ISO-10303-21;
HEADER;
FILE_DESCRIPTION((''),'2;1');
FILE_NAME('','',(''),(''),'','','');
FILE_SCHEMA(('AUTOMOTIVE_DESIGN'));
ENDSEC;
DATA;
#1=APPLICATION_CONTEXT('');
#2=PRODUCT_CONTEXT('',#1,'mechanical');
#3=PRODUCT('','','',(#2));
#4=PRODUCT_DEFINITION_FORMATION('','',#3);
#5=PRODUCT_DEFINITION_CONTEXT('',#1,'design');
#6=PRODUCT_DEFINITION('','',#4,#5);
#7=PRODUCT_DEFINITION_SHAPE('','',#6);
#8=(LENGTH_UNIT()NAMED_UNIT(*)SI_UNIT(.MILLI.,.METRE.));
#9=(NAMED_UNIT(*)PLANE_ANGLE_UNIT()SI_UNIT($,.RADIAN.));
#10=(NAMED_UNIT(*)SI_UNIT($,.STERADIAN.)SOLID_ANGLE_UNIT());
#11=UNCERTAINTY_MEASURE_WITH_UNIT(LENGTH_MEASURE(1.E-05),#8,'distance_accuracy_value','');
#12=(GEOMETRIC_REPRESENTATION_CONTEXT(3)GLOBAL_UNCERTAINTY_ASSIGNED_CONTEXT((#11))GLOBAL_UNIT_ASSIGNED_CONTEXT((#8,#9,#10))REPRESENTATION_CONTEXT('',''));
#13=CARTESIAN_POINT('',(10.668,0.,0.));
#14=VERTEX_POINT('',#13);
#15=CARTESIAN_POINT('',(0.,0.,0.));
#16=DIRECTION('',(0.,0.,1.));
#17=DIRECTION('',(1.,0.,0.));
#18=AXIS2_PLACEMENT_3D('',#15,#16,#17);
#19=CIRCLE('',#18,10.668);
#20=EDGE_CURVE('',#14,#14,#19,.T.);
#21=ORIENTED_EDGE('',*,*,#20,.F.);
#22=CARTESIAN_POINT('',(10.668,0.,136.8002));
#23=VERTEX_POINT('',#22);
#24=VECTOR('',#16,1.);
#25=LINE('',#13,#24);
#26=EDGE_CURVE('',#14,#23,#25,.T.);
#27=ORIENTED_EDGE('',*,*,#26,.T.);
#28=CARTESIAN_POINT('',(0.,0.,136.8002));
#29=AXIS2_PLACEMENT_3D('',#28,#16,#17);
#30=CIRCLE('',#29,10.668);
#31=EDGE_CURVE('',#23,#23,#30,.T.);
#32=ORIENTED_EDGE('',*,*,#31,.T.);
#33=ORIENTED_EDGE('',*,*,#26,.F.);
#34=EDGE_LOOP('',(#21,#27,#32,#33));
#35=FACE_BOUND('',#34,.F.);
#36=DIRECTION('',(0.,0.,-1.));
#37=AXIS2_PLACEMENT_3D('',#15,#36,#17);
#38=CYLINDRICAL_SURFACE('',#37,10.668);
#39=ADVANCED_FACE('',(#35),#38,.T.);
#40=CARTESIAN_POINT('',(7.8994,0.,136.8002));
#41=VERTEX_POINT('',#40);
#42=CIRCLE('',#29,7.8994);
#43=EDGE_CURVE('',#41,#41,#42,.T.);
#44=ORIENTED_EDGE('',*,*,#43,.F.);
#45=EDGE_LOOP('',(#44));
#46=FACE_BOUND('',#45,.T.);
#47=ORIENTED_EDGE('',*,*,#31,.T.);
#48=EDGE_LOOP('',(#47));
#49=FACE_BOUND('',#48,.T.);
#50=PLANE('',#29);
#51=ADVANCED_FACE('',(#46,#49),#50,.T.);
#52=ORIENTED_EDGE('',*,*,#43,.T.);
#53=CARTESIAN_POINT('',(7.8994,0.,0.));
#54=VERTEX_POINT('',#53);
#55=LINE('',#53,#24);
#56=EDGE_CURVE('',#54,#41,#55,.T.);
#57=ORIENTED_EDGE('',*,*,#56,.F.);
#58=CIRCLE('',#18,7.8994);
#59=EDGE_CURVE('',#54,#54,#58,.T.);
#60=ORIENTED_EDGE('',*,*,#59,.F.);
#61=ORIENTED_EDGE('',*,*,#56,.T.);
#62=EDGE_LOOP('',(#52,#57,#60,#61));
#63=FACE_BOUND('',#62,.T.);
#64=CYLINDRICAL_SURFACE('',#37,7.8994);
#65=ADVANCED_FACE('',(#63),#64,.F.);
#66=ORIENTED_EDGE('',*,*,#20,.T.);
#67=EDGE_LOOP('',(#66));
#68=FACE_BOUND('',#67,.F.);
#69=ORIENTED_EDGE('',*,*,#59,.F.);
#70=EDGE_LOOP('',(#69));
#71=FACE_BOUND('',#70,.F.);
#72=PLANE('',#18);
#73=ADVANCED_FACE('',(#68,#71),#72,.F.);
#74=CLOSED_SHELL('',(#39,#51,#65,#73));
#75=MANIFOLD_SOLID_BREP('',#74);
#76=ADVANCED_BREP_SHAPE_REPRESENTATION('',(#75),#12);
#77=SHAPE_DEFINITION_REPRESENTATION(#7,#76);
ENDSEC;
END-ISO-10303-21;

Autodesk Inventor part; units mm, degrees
ref_plane "YZ Plane" through (0, 0, 0) normal (1, 0, 0) x (0, 1, 0)
ref_plane "Start Plane" through (0, 0, 0) normal (0, 0, 1) x (1, 0, 0)
ref_plane "End Plane" through (0, 0, 136.8002) normal (0, 0, 1) x (1, 0, 0)
sketch "Sketch" plane through (0, 0, 0) normal (0, 0, 1) x (1, 0, 0)
  circle A0 centre (0, 0) radius 7.8994
  circle A1 centre (0, 0) radius 10.668
  dimension "d0" = 21.336
  dimension "d1" = 2.7686
extrude "Body" add sketch "Sketch" along normal up to surface (136.8002 mm away) from surface at 0
sketch "Sketch3" plane through (0, 0, 0) normal (0, 0, 1) x (1, 0, 0)
  line L0 (0, 0) -> (10, 0)
ref_plane "Work Plane3" through (0, 0, 0) normal (0, -1, 0) x (1, 0, 0)
sketch "Sketch4" plane through (0, 0, 0) normal (0, -1, 0) x (1, 0, 0)
  line L0 (-2, 0) -> (12, 0) projected
  line L1 (-2, 136.8002) -> (12, 136.8002) projected
  dimension "d7" = 136.8002
equation "\"d0\" = G_H"
equation "\"d1\" = G_T"
equation "\"d2\" = G_L"
equation "\"G_H\" = 21.336"
equation "\"G_T\" = 2.7686"
equation "\"G_L\" = d7"
equation "\"G_OFFSET_START\" = 0"
equation "\"G_OFFSET_END\" = 0"
equation "\"d5\" = G_OFFSET_END + B_L"
equation "\"B_L\" = 136.80017"
properties part number "ANSI - 1/2 x 0.109 - 5.386" material "Steel, Mild"
